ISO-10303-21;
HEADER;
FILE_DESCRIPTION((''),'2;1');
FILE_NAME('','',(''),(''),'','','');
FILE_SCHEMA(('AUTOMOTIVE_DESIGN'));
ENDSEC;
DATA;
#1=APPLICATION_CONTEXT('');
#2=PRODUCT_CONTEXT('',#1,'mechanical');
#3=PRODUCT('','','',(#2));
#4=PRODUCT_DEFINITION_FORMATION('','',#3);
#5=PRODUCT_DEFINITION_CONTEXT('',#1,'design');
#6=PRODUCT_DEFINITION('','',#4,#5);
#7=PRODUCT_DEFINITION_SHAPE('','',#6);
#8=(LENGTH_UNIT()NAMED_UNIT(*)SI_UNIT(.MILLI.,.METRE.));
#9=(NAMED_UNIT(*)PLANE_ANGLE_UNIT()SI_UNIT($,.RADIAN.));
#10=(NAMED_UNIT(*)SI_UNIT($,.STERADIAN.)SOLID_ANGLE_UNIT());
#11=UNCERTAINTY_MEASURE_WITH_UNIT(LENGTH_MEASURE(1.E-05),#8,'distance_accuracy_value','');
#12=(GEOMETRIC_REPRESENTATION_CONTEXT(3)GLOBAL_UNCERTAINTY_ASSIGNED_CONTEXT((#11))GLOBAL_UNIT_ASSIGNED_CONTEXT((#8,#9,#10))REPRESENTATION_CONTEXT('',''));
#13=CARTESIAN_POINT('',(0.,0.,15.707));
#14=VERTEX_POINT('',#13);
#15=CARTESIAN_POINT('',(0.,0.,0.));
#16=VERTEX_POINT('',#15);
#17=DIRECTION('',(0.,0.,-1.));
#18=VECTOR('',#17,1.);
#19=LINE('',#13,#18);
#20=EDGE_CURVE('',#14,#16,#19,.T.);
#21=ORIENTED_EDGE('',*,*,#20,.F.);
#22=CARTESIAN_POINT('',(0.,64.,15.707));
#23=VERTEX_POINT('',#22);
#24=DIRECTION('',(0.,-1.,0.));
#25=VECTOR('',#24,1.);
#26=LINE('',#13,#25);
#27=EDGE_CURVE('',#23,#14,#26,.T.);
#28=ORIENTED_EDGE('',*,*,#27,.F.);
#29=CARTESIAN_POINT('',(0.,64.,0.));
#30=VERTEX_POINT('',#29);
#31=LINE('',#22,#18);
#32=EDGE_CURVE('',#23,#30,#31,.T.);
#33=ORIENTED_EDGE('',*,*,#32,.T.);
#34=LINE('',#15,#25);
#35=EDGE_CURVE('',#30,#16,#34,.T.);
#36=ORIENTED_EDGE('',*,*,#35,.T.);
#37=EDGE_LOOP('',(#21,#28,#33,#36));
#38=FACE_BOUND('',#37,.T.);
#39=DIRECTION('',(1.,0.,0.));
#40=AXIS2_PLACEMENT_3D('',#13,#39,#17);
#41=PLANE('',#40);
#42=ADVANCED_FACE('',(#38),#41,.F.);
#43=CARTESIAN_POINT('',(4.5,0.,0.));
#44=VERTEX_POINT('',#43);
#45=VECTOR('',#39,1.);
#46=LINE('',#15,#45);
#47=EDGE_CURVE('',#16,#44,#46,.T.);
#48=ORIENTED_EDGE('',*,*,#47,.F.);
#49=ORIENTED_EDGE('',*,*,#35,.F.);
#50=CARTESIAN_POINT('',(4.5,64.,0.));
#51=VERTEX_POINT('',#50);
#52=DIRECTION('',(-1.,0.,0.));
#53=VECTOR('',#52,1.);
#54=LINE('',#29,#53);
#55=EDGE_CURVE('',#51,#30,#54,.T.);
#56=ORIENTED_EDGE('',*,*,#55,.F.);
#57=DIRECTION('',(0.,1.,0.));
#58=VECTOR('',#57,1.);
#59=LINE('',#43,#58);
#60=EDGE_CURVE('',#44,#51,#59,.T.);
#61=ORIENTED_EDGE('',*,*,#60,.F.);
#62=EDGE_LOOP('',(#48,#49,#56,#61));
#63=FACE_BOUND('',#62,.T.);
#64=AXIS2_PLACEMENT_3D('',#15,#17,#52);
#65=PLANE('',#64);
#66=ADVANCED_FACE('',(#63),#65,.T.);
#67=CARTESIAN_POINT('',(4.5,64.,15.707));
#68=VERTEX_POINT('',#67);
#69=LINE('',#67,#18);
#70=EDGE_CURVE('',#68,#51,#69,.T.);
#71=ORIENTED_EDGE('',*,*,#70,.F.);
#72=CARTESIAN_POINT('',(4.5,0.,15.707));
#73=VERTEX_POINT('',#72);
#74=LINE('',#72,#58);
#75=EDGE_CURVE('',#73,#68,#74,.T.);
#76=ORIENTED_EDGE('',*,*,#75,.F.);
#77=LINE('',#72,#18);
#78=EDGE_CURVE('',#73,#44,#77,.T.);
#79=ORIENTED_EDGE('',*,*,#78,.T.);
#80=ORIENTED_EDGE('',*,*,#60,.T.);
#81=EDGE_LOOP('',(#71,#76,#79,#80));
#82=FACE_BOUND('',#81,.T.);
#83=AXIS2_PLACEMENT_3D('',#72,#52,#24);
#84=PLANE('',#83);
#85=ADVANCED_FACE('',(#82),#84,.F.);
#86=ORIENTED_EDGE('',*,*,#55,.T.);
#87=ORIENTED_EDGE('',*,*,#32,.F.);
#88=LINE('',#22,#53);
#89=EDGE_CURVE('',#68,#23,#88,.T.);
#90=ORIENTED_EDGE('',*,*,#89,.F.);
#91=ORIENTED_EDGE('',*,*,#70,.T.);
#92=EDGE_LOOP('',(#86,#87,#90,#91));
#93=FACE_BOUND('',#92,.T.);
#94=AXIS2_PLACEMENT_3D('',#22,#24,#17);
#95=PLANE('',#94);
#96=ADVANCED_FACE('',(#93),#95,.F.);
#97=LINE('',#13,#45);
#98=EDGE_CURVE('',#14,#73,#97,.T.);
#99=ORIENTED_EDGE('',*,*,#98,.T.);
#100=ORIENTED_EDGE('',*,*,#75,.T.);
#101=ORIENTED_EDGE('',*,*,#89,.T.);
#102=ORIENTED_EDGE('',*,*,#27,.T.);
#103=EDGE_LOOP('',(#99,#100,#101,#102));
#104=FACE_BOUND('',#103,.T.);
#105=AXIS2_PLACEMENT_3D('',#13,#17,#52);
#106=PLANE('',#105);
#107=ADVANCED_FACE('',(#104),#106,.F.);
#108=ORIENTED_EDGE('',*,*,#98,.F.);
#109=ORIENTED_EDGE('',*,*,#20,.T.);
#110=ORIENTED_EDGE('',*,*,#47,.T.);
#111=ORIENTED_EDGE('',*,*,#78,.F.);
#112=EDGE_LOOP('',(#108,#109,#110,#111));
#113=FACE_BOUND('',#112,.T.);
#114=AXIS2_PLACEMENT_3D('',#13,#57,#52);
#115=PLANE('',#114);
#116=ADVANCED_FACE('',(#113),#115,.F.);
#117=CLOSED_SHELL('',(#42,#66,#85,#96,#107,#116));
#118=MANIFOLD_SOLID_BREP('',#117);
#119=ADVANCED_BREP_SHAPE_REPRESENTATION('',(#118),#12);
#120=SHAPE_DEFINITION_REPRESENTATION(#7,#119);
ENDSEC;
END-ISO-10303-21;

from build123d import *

# Parameters (mm, degrees)
SCHIZZO1_W                   = 4.5
SCHIZZO1_H                   = 64
ESTRUSIONE_ESTRUSIONE1_DEPTH = 15.707


with BuildPart() as part:
    # Schizzo1 → Estrusione-Estrusione1 (new body)
    with BuildSketch(Plane.XY):
        with Locations((2.25, 32)):
            Rectangle(SCHIZZO1_W, SCHIZZO1_H)
    extrude(amount=ESTRUSIONE_ESTRUSIONE1_DEPTH)


solid = part.part
